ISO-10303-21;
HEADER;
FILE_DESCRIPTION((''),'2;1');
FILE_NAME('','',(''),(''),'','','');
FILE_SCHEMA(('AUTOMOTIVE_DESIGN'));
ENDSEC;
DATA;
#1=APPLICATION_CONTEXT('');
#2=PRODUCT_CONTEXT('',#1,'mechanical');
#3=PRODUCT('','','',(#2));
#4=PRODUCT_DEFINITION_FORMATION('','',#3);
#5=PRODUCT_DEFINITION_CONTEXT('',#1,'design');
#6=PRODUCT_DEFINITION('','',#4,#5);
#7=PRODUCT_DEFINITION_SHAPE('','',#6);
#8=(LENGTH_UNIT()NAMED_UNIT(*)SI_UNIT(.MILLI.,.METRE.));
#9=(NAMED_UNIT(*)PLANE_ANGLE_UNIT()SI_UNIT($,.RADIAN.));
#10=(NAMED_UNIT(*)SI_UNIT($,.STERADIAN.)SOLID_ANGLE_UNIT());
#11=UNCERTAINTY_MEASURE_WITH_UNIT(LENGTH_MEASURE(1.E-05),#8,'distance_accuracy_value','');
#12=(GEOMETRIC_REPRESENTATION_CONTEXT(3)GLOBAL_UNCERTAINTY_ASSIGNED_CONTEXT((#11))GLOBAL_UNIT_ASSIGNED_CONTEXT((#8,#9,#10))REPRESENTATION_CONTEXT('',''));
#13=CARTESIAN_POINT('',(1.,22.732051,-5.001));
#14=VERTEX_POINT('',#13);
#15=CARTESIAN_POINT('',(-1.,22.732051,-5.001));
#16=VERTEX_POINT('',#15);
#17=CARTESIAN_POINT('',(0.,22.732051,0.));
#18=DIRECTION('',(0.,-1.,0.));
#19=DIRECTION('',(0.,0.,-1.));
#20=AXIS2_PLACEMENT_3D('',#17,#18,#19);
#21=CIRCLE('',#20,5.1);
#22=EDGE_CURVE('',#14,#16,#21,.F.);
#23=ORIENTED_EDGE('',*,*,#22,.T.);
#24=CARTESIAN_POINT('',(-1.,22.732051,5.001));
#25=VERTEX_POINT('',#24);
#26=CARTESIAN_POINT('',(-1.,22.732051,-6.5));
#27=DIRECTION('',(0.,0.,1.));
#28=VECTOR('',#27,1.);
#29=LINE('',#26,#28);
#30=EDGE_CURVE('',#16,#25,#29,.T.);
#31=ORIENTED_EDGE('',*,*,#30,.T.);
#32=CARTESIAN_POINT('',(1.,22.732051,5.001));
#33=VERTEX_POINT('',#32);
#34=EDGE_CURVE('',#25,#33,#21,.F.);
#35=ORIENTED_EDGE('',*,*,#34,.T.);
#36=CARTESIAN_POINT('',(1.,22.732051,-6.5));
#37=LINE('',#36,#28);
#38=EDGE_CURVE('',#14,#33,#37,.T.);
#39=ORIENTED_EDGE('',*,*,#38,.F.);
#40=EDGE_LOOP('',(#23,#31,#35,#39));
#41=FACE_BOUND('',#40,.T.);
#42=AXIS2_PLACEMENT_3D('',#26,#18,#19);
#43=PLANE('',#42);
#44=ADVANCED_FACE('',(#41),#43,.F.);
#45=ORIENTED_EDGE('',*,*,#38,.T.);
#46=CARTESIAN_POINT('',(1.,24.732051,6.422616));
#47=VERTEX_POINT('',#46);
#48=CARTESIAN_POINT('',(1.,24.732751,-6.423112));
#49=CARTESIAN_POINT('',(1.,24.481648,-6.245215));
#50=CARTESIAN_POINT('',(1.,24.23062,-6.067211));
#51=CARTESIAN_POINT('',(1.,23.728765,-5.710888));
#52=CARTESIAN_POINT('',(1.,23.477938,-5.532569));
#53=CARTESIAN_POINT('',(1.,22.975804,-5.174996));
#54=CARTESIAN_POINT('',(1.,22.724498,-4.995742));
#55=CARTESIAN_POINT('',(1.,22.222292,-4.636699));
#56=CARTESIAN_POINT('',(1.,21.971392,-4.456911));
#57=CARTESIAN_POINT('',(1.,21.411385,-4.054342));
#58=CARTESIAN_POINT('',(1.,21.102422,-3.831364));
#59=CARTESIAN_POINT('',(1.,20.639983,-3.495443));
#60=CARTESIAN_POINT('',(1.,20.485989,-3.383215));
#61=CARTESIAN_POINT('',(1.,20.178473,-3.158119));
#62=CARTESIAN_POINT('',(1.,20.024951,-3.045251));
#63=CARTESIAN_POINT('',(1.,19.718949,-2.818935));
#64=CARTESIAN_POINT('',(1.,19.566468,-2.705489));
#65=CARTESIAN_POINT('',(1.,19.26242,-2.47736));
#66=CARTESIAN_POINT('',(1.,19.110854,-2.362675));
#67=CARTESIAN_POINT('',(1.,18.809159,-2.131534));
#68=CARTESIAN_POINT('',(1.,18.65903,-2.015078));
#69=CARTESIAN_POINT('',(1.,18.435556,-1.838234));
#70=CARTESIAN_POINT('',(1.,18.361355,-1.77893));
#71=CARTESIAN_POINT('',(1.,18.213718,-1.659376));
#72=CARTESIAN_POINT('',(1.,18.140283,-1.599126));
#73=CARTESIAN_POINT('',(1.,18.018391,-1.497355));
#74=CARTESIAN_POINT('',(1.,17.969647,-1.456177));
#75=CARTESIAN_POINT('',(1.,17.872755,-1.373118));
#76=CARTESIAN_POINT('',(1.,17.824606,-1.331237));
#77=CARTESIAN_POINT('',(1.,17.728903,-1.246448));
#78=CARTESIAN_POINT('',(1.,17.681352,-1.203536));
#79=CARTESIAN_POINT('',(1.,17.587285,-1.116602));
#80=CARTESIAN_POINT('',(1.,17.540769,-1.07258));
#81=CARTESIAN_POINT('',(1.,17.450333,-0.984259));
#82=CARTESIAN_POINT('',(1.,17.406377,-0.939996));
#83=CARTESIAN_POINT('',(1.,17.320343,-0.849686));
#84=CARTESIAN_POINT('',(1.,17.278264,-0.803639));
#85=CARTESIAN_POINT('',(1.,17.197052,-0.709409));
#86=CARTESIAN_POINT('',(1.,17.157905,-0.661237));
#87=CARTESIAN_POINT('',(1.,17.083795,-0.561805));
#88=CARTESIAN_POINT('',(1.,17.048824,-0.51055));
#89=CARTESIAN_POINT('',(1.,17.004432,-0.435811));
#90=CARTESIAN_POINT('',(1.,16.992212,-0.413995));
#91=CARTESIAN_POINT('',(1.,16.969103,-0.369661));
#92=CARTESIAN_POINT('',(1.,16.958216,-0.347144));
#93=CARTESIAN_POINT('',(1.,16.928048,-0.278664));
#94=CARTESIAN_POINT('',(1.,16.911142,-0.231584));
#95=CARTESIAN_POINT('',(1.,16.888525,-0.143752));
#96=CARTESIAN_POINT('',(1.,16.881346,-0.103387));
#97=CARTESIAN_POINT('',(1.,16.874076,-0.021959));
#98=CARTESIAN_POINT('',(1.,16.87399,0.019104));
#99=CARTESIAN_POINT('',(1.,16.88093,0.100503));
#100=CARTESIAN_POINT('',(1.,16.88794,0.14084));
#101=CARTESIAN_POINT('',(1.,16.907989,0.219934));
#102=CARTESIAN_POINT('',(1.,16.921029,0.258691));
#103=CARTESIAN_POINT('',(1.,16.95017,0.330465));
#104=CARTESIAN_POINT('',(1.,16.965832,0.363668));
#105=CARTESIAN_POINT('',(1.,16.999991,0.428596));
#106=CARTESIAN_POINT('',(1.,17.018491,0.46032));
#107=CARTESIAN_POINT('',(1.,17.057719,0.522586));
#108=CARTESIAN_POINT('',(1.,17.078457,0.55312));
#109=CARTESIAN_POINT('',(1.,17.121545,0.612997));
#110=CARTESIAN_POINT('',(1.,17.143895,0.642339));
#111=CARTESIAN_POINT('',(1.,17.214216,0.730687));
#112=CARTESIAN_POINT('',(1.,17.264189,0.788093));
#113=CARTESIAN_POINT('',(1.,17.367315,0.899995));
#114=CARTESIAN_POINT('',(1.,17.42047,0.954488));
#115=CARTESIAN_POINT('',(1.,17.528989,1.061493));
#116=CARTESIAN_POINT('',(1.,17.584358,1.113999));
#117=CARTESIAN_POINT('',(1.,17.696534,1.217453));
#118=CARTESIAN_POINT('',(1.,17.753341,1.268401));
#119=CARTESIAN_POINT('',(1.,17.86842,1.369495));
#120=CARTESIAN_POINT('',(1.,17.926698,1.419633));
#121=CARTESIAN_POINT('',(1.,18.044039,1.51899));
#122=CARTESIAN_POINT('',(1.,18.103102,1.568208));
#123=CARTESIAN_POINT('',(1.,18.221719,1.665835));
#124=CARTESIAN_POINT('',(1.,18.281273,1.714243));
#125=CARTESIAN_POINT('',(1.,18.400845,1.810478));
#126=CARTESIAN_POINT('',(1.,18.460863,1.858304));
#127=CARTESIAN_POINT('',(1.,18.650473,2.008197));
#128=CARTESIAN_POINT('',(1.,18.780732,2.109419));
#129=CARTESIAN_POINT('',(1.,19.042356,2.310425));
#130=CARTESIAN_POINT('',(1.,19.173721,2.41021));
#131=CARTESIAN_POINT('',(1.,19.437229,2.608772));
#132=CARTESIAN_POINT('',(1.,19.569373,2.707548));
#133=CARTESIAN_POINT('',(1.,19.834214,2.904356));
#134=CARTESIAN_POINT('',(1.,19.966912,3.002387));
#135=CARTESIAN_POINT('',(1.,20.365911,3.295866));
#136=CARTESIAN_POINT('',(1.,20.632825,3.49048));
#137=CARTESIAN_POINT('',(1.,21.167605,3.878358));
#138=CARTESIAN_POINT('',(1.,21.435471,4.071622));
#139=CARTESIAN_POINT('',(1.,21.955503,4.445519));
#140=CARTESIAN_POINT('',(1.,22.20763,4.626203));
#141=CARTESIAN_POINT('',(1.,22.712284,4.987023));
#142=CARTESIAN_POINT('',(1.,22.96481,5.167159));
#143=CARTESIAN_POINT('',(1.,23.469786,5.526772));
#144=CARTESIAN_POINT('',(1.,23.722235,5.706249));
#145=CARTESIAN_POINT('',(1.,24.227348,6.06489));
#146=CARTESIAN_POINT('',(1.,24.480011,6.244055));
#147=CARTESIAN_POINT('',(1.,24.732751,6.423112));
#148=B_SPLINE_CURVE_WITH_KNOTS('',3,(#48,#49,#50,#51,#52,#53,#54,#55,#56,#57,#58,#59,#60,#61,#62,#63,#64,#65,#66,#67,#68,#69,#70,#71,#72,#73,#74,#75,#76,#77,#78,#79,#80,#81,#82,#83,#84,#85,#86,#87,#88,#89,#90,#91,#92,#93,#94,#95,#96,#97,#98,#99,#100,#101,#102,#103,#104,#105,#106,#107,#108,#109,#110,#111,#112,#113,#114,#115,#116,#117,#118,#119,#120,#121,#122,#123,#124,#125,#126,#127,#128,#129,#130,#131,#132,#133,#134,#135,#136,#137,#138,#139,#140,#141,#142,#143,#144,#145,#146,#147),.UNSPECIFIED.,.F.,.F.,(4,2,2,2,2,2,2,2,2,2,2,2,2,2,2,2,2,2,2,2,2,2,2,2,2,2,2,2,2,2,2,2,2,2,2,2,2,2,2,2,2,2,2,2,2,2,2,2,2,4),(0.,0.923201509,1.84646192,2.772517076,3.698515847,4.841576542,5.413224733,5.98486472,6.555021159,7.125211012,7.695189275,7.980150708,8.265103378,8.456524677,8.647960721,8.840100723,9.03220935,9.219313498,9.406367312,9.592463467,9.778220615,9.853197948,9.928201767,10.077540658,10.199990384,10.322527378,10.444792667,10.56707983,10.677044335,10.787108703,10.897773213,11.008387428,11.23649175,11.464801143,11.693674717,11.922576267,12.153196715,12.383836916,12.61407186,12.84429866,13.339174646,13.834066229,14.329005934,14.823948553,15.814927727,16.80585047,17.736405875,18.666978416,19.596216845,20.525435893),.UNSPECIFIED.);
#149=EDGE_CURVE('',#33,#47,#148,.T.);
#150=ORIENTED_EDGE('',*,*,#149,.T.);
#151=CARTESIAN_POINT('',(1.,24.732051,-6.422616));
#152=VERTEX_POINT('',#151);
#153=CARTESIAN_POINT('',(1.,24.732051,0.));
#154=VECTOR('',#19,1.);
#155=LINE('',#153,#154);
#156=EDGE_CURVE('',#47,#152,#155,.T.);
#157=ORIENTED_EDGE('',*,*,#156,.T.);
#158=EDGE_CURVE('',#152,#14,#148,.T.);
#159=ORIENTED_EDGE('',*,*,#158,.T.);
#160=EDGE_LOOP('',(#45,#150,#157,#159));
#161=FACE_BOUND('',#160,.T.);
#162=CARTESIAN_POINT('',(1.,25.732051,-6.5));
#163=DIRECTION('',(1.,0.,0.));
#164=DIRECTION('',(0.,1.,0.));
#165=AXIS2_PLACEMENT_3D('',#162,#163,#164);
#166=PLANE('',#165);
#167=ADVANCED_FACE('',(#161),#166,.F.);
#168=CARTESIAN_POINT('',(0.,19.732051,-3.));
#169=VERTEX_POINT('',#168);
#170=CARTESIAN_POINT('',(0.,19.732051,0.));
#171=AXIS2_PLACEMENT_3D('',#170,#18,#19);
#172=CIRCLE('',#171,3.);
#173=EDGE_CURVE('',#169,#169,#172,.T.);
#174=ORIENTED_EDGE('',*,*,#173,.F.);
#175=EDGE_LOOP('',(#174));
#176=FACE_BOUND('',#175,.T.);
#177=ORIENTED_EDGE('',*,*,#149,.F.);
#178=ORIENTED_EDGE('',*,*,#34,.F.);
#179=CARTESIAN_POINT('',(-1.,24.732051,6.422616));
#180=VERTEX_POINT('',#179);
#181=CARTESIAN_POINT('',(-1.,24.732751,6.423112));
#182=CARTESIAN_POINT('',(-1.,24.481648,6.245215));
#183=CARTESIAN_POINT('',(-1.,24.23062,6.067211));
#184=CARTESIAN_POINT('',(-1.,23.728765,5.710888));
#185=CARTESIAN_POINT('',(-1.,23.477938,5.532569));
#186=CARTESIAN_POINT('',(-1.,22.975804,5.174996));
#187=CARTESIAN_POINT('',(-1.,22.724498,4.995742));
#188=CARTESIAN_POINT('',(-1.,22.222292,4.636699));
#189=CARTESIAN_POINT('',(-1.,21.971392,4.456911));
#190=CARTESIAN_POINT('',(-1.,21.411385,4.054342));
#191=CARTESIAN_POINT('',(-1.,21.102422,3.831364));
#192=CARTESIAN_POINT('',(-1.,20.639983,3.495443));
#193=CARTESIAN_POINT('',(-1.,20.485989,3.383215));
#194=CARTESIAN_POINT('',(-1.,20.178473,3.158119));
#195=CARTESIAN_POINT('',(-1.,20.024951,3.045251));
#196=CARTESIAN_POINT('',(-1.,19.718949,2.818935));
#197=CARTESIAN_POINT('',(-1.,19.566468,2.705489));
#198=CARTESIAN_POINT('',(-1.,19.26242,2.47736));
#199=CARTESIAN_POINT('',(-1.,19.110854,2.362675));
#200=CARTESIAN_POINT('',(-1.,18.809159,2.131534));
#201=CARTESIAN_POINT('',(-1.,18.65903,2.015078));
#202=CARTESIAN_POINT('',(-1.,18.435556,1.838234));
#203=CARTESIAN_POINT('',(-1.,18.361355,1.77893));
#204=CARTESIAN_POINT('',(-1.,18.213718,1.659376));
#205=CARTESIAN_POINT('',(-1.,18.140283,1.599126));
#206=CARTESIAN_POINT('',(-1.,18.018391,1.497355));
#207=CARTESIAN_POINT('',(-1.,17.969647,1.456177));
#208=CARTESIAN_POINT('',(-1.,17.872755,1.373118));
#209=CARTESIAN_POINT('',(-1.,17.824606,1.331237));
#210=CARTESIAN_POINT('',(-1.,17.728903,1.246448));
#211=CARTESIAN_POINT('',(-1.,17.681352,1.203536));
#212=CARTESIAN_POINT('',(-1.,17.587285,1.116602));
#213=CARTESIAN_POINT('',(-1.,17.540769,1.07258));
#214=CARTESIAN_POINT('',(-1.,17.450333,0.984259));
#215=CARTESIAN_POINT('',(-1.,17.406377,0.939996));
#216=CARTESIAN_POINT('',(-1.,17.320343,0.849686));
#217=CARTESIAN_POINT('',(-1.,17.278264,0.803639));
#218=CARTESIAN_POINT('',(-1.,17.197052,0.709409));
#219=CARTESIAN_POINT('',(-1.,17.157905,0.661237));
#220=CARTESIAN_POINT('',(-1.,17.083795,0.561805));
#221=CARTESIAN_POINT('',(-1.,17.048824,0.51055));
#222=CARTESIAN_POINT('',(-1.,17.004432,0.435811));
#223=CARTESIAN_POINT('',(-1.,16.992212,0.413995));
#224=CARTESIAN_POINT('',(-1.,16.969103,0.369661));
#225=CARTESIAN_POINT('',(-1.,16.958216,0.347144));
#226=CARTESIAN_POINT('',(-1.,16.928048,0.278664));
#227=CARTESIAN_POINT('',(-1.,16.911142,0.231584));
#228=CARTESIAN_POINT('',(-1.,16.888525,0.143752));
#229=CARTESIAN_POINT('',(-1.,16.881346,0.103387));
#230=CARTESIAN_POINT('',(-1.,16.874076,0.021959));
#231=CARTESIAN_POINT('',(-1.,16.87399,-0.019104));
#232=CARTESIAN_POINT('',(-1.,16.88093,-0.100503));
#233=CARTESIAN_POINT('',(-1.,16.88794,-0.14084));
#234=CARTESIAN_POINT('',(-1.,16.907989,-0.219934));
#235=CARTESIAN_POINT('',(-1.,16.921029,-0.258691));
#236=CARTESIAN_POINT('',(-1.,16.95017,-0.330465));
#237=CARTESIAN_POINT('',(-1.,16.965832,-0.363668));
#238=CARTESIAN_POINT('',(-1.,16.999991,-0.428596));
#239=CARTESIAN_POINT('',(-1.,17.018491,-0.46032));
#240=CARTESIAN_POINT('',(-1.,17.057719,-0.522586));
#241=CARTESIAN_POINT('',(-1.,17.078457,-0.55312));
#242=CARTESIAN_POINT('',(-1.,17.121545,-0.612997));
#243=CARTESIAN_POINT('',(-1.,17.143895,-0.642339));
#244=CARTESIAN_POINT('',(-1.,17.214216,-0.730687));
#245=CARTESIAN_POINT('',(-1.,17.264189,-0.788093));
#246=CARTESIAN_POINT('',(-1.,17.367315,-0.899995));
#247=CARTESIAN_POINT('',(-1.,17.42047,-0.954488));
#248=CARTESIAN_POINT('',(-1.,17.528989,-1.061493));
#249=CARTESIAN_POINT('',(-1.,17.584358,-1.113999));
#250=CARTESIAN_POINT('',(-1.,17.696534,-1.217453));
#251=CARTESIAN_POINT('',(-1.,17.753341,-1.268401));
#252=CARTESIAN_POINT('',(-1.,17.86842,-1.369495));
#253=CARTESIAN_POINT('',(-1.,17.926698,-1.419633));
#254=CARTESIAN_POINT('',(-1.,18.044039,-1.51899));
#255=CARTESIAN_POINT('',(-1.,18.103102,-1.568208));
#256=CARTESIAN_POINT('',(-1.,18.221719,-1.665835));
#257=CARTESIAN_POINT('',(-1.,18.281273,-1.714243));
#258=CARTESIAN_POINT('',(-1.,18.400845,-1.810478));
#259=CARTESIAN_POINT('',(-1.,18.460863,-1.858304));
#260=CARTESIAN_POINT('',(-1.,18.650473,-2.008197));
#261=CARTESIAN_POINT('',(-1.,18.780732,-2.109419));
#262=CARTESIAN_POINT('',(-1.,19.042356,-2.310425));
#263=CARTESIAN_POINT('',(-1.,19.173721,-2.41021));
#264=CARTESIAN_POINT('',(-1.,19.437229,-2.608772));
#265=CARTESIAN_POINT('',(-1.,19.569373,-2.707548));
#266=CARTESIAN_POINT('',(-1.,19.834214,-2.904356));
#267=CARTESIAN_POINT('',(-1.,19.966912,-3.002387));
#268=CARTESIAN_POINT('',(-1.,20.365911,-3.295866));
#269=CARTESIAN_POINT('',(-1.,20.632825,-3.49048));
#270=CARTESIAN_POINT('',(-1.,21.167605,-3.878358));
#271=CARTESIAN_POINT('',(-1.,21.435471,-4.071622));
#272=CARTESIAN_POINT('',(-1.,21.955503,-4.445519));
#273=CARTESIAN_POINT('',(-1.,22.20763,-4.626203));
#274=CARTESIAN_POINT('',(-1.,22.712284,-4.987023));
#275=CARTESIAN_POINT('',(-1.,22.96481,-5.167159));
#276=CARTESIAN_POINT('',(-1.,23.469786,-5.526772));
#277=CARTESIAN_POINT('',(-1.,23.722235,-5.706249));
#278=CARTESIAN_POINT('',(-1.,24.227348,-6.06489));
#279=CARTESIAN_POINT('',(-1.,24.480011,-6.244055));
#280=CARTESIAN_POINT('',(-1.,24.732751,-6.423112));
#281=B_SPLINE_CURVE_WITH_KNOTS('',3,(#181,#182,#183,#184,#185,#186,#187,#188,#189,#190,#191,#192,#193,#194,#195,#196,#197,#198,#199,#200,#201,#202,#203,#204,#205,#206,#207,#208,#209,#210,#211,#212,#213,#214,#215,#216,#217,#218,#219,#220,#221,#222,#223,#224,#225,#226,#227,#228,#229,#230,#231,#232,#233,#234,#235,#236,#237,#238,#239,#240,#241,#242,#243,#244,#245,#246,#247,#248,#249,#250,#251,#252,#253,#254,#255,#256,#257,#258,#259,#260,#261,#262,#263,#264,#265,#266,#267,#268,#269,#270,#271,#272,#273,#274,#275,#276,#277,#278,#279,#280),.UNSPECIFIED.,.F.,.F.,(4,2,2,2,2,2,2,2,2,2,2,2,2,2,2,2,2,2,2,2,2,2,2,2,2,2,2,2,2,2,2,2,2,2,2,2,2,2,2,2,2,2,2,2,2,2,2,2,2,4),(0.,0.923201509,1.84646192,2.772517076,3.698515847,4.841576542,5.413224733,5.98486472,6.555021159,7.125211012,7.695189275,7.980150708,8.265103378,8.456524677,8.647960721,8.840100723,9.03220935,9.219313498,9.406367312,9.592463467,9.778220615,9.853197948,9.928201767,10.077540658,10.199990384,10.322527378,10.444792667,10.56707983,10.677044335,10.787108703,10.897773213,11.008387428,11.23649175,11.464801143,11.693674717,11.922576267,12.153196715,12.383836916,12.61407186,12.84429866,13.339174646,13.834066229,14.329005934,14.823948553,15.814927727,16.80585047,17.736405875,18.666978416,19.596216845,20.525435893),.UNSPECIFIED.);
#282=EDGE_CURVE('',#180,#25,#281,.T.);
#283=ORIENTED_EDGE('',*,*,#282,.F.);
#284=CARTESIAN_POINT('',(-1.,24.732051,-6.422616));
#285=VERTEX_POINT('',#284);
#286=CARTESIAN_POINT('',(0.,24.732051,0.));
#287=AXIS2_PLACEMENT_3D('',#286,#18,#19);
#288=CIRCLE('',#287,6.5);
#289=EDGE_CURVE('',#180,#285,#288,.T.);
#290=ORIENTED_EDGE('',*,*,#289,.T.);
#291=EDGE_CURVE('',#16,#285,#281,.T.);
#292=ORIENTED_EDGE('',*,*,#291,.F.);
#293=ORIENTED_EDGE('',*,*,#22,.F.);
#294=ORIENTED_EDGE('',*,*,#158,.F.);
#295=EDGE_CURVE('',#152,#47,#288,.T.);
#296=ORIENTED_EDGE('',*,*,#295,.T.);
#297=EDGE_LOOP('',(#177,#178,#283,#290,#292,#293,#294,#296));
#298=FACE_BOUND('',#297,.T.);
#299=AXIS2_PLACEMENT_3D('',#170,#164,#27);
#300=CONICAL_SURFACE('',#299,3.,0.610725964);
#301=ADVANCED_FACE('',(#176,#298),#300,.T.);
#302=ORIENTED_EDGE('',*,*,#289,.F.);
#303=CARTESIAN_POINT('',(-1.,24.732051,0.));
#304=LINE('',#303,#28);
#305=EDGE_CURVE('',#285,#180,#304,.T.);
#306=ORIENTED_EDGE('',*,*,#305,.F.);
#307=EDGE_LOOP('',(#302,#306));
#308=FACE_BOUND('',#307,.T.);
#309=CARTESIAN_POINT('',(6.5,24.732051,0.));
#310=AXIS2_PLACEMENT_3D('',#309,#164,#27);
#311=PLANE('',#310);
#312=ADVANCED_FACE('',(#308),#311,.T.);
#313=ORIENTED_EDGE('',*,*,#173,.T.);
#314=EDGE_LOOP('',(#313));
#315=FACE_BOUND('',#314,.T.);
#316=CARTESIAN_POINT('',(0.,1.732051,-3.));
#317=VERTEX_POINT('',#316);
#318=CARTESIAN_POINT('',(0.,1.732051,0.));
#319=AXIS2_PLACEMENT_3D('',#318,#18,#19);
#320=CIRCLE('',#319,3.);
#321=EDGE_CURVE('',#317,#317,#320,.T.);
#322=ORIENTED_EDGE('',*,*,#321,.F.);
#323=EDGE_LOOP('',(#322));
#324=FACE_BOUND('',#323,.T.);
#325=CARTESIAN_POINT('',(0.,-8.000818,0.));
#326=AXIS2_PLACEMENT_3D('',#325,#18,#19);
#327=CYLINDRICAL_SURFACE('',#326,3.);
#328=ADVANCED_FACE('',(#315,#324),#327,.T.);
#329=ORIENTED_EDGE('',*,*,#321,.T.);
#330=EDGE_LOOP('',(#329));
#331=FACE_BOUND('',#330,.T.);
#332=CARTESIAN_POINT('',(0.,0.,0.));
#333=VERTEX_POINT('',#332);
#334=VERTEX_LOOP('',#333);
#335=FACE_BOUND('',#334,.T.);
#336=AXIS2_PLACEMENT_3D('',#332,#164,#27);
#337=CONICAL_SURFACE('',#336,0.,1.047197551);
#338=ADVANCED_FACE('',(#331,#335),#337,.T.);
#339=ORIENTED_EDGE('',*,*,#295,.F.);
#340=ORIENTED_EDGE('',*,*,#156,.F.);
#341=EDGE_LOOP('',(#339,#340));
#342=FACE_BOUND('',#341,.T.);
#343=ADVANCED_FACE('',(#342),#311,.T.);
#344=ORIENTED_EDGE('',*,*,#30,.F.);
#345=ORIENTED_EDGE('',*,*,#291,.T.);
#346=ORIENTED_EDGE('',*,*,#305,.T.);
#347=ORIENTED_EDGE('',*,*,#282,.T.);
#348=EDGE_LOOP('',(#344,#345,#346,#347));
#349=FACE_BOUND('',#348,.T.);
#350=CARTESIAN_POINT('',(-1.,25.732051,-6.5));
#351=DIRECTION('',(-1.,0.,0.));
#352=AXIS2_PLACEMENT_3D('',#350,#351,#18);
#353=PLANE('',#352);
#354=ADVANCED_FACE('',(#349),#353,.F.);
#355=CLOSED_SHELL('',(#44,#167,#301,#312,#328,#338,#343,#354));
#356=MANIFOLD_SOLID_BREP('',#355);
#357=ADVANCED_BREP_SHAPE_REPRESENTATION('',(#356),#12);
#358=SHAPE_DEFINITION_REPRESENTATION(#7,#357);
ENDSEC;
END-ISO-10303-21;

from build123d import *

# Parameters (mm, degrees)
SKETCH4_W               = 2
SKETCH4_H               = 3
CUT_EXTRUDE1_DEPTH      = 7.5
CUT_EXTRUDE1_DEPTH_BACK = 7.5


with BuildPart() as part:
    # Sketch3 → Revolve1 (revolve)
    with BuildSketch(Plane.XY):
        Polygon((0, 0), (3, 1.732050808), (3, 19.732050808), (6.5, 24.732050808), (0, 24.732050808), align=None)
    revolve(axis=Axis((0, -8.000817712, 0), (0, 1, 0)))

    # Sketch4 → Cut-Extrude1 (cut, two sides)
    with BuildSketch(Plane.XY) as cut_extrude1_sk:
        with Locations((0, 24.232050808)):
            Rectangle(SKETCH4_W, SKETCH4_H)
    extrude(amount=CUT_EXTRUDE1_DEPTH, mode=Mode.SUBTRACT)
    extrude(cut_extrude1_sk.sketch, amount=-CUT_EXTRUDE1_DEPTH_BACK, mode=Mode.SUBTRACT)


solid = part.part
